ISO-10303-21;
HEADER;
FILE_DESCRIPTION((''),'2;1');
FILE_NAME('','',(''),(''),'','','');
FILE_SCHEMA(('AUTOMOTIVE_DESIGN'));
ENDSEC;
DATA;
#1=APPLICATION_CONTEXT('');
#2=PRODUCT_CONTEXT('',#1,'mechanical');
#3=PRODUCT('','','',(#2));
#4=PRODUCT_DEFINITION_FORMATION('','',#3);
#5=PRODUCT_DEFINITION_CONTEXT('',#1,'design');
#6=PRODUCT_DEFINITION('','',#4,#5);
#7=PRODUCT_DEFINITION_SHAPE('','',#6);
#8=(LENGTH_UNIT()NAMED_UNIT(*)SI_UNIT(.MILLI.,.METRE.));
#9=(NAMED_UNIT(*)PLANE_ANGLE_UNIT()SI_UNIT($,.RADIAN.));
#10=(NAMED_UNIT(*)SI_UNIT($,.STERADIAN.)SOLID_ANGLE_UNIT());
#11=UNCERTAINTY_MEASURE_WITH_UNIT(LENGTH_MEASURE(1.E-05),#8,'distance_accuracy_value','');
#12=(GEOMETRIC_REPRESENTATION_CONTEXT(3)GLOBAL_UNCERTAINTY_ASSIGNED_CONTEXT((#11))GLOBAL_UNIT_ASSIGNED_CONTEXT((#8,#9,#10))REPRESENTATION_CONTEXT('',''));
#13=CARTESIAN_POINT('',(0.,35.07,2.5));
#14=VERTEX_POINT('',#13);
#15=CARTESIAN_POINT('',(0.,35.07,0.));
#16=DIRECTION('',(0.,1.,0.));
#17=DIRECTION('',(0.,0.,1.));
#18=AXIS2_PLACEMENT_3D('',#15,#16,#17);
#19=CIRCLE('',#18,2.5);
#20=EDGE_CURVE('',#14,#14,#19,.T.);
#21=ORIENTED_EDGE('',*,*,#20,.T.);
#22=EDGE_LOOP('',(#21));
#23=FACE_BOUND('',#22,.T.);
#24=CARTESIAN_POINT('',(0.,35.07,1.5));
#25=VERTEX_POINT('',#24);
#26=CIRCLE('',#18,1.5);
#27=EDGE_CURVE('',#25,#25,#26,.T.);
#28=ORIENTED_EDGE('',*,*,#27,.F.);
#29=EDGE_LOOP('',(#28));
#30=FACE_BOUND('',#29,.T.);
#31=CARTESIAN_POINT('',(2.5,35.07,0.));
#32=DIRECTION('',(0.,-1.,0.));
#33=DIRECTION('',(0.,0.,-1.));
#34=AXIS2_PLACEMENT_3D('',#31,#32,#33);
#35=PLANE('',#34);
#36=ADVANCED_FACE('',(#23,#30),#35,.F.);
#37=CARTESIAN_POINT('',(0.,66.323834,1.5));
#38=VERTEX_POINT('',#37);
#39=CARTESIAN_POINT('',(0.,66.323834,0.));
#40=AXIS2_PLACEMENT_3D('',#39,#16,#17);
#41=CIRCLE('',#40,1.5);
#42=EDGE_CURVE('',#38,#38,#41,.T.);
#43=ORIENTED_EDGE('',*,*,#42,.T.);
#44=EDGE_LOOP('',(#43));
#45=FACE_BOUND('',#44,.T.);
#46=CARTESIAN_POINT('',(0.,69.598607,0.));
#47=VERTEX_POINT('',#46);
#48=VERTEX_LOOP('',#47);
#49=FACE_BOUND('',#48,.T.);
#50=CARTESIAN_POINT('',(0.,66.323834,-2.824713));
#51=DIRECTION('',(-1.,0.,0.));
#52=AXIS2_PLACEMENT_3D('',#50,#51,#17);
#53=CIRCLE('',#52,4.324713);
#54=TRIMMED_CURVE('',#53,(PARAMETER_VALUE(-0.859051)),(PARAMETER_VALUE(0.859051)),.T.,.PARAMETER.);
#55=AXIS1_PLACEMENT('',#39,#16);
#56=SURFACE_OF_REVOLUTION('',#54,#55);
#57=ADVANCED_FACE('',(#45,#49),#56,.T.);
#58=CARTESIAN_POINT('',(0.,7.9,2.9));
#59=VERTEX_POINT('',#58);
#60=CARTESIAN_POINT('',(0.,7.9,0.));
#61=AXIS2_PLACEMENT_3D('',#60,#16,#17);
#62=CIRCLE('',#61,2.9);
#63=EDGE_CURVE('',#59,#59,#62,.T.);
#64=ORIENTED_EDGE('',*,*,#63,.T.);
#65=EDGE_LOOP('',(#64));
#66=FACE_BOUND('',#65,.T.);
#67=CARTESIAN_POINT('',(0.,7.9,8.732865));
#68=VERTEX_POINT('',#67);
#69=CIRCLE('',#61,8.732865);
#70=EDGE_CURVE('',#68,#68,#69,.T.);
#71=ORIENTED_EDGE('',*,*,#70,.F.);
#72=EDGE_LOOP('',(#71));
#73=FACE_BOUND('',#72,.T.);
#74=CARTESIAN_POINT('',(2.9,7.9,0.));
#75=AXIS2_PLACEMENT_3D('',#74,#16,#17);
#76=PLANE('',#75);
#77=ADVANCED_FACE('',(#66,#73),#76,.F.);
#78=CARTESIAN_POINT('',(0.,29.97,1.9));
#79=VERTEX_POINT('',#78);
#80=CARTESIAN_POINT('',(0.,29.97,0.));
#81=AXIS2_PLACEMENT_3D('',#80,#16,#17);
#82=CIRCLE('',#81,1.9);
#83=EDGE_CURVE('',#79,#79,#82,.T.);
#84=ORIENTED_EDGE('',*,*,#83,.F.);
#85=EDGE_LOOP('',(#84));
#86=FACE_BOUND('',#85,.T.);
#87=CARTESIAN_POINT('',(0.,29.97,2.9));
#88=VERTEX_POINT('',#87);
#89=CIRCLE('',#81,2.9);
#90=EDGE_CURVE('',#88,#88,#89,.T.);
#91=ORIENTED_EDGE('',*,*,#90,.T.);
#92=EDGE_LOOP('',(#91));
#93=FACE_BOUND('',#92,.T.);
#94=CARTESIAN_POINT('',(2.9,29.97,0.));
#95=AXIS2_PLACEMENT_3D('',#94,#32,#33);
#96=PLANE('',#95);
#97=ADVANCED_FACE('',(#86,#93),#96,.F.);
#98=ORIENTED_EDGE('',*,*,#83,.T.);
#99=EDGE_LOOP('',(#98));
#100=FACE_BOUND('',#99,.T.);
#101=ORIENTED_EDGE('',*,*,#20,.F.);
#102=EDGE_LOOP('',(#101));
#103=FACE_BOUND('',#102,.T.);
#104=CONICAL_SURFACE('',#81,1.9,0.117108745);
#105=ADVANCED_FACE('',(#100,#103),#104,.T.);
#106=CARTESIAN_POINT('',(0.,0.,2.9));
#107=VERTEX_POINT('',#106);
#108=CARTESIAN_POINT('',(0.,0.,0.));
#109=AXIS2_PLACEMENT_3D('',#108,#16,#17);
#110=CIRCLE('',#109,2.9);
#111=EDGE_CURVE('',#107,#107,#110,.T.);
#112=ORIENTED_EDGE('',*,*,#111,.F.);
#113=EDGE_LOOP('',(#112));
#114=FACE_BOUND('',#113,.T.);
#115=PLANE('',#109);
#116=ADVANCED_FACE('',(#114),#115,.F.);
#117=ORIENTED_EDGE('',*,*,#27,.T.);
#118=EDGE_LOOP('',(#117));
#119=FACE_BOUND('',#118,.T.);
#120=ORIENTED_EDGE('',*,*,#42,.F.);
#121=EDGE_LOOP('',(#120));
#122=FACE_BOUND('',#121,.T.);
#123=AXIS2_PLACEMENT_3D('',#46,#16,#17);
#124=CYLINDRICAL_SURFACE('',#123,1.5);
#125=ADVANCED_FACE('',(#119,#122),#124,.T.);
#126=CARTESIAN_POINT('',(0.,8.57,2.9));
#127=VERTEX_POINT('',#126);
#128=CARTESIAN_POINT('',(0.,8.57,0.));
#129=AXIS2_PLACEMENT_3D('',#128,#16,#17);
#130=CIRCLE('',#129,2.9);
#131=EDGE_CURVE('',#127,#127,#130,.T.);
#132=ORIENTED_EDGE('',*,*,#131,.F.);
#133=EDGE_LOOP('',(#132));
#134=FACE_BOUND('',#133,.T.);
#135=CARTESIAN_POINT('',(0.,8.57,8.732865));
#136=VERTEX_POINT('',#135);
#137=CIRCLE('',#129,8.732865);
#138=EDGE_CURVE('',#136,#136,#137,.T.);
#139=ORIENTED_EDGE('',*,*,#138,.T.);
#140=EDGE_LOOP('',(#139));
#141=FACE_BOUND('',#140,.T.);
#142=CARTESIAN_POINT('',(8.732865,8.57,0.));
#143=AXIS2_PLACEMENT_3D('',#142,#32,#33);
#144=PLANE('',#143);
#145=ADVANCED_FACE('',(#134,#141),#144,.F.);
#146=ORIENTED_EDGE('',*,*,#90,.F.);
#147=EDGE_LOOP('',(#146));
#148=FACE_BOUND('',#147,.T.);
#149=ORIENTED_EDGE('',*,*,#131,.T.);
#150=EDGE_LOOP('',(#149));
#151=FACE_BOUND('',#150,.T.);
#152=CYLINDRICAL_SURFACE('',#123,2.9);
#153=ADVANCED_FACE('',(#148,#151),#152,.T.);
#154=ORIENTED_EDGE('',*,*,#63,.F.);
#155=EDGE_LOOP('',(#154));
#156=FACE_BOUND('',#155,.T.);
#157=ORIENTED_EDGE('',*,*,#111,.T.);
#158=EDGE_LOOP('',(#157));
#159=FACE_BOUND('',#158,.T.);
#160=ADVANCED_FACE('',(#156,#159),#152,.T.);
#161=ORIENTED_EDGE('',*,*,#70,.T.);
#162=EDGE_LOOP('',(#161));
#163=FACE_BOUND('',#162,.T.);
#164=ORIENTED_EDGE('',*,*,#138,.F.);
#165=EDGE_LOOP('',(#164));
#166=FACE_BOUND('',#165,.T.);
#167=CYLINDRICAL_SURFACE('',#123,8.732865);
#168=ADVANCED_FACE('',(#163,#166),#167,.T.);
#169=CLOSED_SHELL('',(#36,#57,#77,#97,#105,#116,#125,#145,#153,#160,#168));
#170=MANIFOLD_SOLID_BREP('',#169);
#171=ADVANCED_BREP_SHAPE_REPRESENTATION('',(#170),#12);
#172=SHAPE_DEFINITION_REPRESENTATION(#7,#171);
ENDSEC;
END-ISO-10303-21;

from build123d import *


with BuildPart() as part:
    # Sketch1 → Revolve1 (revolve)
    with BuildSketch(Plane.XY, mode=Mode.PRIVATE) as revolve1_sk:
        with BuildLine():
            Line((0, 0), (2.9, 0))
            Line((2.9, 0), (2.9, 7.9))
            Line((2.9, 7.9), (8.732864907, 7.9))
            Line((8.732864907, 7.9), (8.732864907, 8.57))
            Line((8.732864907, 8.57), (2.9, 8.57))
            Line((2.9, 8.57), (2.9, 29.97))
            Line((2.9, 29.97), (1.9, 29.97))
            Line((1.9, 29.97), (2.5, 35.07))
            Line((2.5, 35.07), (1.5, 35.07))
            Line((1.5, 35.07), (1.5, 66.323834281))
            ThreePointArc((1.5, 66.323834281), (1.107157772, 68.124815809), (0, 69.598607228))
            Line((0, 69.598607228), (0, 0))
        make_face()
    revolve(revolve1_sk.sketch.rotate(Axis((0, 69.598607228, 0), (0, -1, 0)), 90), axis=Axis((0, 69.598607228, 0), (0, -1, 0)))


solid = part.part
